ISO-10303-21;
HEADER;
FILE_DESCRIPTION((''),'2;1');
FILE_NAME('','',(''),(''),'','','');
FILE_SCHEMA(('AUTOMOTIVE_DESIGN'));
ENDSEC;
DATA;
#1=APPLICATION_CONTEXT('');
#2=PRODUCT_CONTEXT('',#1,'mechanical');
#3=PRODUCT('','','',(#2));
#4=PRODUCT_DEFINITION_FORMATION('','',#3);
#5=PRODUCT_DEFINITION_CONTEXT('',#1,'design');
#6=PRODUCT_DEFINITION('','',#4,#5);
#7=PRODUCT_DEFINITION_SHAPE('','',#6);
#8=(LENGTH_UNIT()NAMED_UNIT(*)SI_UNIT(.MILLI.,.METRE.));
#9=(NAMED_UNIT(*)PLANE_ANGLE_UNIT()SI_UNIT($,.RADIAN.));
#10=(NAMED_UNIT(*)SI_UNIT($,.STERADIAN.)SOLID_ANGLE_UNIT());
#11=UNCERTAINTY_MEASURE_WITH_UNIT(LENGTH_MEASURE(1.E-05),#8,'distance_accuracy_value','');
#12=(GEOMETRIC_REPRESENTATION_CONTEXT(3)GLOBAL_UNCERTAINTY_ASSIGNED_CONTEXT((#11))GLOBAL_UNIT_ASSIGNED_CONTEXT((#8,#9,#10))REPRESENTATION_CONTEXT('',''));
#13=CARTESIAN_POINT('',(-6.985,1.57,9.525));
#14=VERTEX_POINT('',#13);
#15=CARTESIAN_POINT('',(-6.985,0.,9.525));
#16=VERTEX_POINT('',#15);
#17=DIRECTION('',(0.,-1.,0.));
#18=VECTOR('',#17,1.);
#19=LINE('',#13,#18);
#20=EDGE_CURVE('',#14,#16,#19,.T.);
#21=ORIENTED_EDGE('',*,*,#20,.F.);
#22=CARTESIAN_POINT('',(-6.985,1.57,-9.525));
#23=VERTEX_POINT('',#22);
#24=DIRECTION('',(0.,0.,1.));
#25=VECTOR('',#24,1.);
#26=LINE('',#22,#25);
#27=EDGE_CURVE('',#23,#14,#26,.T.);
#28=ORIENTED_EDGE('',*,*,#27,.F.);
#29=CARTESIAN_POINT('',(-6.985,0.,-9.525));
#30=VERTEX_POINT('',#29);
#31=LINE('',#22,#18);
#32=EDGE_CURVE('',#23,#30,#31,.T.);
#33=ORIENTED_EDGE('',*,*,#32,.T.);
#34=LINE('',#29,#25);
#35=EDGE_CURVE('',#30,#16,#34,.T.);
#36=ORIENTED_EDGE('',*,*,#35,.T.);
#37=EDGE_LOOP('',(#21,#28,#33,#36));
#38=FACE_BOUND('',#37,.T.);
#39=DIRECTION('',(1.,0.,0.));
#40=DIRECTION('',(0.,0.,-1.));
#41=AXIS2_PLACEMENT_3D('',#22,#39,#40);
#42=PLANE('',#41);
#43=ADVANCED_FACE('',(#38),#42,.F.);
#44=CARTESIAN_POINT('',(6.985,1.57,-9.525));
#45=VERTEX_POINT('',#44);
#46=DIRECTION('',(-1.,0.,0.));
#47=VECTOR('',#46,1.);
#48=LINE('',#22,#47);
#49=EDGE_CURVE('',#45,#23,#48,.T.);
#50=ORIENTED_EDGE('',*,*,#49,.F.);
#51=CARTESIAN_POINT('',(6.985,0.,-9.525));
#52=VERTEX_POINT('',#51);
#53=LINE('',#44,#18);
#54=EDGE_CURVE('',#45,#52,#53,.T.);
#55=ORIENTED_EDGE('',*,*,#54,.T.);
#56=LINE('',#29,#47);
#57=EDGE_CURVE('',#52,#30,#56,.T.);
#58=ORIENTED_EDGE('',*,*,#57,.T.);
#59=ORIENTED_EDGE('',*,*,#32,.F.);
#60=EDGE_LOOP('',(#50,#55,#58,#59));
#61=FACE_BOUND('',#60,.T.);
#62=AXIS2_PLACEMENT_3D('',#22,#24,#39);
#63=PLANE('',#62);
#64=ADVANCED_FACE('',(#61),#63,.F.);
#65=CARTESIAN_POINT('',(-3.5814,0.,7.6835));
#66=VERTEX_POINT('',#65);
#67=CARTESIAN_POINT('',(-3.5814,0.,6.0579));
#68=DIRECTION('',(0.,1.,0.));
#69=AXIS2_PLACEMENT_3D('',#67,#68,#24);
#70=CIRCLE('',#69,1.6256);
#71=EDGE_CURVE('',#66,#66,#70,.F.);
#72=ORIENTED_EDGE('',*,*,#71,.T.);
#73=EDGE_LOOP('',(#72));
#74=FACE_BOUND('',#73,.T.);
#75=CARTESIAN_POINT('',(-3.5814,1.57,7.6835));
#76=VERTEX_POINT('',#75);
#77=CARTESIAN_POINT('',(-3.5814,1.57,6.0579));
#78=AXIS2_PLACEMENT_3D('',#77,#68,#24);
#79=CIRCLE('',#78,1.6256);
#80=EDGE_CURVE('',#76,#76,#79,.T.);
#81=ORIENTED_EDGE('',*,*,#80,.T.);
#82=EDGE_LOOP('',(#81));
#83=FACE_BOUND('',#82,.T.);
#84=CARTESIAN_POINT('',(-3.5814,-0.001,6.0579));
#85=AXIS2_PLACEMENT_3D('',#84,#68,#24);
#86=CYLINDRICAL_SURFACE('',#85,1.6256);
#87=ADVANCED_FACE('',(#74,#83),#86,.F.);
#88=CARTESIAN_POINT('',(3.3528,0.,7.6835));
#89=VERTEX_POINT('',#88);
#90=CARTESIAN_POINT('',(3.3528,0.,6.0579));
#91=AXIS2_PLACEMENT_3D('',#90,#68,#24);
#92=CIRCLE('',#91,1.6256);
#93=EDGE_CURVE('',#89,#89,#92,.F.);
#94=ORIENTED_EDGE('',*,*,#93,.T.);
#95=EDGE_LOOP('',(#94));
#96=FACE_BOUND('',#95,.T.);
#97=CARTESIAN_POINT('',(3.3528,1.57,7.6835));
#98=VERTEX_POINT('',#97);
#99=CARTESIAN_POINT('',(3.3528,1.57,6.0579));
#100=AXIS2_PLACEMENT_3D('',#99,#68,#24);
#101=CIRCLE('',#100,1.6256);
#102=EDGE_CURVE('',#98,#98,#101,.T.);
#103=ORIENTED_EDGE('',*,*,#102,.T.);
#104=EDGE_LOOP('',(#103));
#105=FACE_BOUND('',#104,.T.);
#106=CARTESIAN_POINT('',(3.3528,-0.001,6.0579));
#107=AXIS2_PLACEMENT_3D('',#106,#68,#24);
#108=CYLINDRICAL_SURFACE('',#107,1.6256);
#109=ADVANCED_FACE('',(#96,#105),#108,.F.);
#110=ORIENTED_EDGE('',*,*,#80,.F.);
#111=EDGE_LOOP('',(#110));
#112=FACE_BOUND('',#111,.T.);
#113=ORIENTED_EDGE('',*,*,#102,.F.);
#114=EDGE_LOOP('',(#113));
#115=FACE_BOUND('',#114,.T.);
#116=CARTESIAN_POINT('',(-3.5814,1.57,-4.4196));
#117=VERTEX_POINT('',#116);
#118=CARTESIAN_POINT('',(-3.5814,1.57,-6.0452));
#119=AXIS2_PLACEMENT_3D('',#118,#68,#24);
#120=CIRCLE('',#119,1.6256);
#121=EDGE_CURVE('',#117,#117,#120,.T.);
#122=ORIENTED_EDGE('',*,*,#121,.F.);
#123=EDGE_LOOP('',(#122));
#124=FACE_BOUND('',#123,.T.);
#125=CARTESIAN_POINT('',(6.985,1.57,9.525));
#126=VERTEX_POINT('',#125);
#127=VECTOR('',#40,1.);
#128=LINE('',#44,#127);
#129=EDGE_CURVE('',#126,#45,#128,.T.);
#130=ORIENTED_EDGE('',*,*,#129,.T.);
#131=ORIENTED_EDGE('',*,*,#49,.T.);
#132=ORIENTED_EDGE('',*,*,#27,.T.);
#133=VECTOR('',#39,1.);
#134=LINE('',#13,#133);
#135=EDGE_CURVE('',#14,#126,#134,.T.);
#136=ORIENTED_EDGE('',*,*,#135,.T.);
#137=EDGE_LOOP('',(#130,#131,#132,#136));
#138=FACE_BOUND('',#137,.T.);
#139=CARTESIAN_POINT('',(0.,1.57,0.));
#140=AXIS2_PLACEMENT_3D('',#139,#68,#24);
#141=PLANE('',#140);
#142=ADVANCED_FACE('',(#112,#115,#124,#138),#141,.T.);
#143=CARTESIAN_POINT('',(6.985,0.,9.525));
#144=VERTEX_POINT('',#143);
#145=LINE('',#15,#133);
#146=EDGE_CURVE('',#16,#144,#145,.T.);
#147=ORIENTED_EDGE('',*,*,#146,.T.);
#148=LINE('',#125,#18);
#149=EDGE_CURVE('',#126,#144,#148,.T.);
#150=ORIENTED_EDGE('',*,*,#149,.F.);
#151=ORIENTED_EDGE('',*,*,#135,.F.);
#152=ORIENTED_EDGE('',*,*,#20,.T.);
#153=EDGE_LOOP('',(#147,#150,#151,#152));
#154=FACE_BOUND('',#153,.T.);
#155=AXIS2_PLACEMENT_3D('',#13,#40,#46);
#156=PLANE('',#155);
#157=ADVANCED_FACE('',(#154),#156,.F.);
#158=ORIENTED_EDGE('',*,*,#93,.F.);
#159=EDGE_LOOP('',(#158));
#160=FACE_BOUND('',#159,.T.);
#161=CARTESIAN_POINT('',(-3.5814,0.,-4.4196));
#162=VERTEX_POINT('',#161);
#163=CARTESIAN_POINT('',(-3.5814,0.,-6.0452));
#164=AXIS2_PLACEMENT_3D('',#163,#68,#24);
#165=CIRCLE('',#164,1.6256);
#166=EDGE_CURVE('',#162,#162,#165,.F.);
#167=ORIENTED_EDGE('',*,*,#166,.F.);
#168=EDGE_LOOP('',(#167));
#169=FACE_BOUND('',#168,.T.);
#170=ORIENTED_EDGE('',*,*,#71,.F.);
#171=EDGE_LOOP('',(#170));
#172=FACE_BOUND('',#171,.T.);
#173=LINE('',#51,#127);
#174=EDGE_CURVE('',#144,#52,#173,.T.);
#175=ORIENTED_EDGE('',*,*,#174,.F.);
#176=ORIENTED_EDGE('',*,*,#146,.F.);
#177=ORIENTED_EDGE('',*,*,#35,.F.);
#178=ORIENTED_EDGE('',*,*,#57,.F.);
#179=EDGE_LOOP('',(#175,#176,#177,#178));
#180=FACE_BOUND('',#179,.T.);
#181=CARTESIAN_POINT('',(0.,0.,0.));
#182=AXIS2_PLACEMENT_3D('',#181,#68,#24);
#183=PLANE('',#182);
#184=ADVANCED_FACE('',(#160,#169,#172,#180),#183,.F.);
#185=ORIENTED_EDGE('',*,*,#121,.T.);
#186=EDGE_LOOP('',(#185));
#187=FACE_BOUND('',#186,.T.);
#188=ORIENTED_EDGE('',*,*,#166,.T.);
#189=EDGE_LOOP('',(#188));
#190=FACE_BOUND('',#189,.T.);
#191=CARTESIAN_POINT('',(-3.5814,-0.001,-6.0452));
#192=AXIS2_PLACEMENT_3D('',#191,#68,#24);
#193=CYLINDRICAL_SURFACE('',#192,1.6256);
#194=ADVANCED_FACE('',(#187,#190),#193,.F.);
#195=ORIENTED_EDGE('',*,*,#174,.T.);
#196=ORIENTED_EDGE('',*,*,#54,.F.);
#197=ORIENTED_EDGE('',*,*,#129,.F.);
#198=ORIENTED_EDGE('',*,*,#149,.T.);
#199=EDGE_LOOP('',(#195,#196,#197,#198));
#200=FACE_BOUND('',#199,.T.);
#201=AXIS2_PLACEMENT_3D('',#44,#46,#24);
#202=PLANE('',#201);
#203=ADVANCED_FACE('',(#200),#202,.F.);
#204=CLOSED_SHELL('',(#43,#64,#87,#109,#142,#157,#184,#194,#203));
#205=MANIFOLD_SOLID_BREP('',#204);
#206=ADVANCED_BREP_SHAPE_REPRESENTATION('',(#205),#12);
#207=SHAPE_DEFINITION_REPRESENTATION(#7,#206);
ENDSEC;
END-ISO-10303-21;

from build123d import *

# Parameters (mm, degrees)
SKETCH1_W           = 13.97
SKETCH1_H           = 19.05
BOSS_EXTRUDE1_DEPTH = 1.57
CUT_EXTRUDE1_REACH  = 3.57
SKETCH4_R           = 1.6256


with BuildPart() as part:
    # Sketch1 → Boss-Extrude1 (new body)
    with BuildSketch(Plane(origin=(0, 0, 0), x_dir=(1, 0, 0), z_dir=(0, 1, 0))):
        Rectangle(SKETCH1_W, SKETCH1_H)
    extrude(amount=BOSS_EXTRUDE1_DEPTH)

    # Sketch4 → Cut-Extrude1 (cut, up to next)
    with BuildSketch(Plane(origin=(0, 1.57, 0), x_dir=(1, 0, 0), z_dir=(0, 1, 0)), mode=Mode.PRIVATE) as cut_extrude1_sk1:
        with Locations((-3.5814, -6.0579)):
            Circle(SKETCH4_R)
    cut_extrude1_tool1 = extrude(cut_extrude1_sk1.sketch, amount=-CUT_EXTRUDE1_REACH, mode=Mode.PRIVATE) & part.part
    add(cut_extrude1_tool1.solids().sort_by_distance((-3.5814, 1.57, 6.0579))[0], mode=Mode.SUBTRACT)
    # Sketch4 → Cut-Extrude1 (cut, up to next)
    with BuildSketch(Plane(origin=(0, 1.57, 0), x_dir=(1, 0, 0), z_dir=(0, 1, 0)), mode=Mode.PRIVATE) as cut_extrude1_sk2:
        with Locations((3.3528, -6.0579)):
            Circle(SKETCH4_R)
    cut_extrude1_tool2 = extrude(cut_extrude1_sk2.sketch, amount=-CUT_EXTRUDE1_REACH, mode=Mode.PRIVATE) & part.part
    add(cut_extrude1_tool2.solids().sort_by_distance((3.3528, 1.57, 6.0579))[0], mode=Mode.SUBTRACT)
    # Sketch4 → Cut-Extrude1 (cut, up to next)
    with BuildSketch(Plane(origin=(0, 1.57, 0), x_dir=(1, 0, 0), z_dir=(0, 1, 0)), mode=Mode.PRIVATE) as cut_extrude1_sk3:
        with Locations((-3.5814, 6.0452)):
            Circle(SKETCH4_R)
    cut_extrude1_tool3 = extrude(cut_extrude1_sk3.sketch, amount=-CUT_EXTRUDE1_REACH, mode=Mode.PRIVATE) & part.part
    add(cut_extrude1_tool3.solids().sort_by_distance((-3.5814, 1.57, -6.0452))[0], mode=Mode.SUBTRACT)


solid = part.part
